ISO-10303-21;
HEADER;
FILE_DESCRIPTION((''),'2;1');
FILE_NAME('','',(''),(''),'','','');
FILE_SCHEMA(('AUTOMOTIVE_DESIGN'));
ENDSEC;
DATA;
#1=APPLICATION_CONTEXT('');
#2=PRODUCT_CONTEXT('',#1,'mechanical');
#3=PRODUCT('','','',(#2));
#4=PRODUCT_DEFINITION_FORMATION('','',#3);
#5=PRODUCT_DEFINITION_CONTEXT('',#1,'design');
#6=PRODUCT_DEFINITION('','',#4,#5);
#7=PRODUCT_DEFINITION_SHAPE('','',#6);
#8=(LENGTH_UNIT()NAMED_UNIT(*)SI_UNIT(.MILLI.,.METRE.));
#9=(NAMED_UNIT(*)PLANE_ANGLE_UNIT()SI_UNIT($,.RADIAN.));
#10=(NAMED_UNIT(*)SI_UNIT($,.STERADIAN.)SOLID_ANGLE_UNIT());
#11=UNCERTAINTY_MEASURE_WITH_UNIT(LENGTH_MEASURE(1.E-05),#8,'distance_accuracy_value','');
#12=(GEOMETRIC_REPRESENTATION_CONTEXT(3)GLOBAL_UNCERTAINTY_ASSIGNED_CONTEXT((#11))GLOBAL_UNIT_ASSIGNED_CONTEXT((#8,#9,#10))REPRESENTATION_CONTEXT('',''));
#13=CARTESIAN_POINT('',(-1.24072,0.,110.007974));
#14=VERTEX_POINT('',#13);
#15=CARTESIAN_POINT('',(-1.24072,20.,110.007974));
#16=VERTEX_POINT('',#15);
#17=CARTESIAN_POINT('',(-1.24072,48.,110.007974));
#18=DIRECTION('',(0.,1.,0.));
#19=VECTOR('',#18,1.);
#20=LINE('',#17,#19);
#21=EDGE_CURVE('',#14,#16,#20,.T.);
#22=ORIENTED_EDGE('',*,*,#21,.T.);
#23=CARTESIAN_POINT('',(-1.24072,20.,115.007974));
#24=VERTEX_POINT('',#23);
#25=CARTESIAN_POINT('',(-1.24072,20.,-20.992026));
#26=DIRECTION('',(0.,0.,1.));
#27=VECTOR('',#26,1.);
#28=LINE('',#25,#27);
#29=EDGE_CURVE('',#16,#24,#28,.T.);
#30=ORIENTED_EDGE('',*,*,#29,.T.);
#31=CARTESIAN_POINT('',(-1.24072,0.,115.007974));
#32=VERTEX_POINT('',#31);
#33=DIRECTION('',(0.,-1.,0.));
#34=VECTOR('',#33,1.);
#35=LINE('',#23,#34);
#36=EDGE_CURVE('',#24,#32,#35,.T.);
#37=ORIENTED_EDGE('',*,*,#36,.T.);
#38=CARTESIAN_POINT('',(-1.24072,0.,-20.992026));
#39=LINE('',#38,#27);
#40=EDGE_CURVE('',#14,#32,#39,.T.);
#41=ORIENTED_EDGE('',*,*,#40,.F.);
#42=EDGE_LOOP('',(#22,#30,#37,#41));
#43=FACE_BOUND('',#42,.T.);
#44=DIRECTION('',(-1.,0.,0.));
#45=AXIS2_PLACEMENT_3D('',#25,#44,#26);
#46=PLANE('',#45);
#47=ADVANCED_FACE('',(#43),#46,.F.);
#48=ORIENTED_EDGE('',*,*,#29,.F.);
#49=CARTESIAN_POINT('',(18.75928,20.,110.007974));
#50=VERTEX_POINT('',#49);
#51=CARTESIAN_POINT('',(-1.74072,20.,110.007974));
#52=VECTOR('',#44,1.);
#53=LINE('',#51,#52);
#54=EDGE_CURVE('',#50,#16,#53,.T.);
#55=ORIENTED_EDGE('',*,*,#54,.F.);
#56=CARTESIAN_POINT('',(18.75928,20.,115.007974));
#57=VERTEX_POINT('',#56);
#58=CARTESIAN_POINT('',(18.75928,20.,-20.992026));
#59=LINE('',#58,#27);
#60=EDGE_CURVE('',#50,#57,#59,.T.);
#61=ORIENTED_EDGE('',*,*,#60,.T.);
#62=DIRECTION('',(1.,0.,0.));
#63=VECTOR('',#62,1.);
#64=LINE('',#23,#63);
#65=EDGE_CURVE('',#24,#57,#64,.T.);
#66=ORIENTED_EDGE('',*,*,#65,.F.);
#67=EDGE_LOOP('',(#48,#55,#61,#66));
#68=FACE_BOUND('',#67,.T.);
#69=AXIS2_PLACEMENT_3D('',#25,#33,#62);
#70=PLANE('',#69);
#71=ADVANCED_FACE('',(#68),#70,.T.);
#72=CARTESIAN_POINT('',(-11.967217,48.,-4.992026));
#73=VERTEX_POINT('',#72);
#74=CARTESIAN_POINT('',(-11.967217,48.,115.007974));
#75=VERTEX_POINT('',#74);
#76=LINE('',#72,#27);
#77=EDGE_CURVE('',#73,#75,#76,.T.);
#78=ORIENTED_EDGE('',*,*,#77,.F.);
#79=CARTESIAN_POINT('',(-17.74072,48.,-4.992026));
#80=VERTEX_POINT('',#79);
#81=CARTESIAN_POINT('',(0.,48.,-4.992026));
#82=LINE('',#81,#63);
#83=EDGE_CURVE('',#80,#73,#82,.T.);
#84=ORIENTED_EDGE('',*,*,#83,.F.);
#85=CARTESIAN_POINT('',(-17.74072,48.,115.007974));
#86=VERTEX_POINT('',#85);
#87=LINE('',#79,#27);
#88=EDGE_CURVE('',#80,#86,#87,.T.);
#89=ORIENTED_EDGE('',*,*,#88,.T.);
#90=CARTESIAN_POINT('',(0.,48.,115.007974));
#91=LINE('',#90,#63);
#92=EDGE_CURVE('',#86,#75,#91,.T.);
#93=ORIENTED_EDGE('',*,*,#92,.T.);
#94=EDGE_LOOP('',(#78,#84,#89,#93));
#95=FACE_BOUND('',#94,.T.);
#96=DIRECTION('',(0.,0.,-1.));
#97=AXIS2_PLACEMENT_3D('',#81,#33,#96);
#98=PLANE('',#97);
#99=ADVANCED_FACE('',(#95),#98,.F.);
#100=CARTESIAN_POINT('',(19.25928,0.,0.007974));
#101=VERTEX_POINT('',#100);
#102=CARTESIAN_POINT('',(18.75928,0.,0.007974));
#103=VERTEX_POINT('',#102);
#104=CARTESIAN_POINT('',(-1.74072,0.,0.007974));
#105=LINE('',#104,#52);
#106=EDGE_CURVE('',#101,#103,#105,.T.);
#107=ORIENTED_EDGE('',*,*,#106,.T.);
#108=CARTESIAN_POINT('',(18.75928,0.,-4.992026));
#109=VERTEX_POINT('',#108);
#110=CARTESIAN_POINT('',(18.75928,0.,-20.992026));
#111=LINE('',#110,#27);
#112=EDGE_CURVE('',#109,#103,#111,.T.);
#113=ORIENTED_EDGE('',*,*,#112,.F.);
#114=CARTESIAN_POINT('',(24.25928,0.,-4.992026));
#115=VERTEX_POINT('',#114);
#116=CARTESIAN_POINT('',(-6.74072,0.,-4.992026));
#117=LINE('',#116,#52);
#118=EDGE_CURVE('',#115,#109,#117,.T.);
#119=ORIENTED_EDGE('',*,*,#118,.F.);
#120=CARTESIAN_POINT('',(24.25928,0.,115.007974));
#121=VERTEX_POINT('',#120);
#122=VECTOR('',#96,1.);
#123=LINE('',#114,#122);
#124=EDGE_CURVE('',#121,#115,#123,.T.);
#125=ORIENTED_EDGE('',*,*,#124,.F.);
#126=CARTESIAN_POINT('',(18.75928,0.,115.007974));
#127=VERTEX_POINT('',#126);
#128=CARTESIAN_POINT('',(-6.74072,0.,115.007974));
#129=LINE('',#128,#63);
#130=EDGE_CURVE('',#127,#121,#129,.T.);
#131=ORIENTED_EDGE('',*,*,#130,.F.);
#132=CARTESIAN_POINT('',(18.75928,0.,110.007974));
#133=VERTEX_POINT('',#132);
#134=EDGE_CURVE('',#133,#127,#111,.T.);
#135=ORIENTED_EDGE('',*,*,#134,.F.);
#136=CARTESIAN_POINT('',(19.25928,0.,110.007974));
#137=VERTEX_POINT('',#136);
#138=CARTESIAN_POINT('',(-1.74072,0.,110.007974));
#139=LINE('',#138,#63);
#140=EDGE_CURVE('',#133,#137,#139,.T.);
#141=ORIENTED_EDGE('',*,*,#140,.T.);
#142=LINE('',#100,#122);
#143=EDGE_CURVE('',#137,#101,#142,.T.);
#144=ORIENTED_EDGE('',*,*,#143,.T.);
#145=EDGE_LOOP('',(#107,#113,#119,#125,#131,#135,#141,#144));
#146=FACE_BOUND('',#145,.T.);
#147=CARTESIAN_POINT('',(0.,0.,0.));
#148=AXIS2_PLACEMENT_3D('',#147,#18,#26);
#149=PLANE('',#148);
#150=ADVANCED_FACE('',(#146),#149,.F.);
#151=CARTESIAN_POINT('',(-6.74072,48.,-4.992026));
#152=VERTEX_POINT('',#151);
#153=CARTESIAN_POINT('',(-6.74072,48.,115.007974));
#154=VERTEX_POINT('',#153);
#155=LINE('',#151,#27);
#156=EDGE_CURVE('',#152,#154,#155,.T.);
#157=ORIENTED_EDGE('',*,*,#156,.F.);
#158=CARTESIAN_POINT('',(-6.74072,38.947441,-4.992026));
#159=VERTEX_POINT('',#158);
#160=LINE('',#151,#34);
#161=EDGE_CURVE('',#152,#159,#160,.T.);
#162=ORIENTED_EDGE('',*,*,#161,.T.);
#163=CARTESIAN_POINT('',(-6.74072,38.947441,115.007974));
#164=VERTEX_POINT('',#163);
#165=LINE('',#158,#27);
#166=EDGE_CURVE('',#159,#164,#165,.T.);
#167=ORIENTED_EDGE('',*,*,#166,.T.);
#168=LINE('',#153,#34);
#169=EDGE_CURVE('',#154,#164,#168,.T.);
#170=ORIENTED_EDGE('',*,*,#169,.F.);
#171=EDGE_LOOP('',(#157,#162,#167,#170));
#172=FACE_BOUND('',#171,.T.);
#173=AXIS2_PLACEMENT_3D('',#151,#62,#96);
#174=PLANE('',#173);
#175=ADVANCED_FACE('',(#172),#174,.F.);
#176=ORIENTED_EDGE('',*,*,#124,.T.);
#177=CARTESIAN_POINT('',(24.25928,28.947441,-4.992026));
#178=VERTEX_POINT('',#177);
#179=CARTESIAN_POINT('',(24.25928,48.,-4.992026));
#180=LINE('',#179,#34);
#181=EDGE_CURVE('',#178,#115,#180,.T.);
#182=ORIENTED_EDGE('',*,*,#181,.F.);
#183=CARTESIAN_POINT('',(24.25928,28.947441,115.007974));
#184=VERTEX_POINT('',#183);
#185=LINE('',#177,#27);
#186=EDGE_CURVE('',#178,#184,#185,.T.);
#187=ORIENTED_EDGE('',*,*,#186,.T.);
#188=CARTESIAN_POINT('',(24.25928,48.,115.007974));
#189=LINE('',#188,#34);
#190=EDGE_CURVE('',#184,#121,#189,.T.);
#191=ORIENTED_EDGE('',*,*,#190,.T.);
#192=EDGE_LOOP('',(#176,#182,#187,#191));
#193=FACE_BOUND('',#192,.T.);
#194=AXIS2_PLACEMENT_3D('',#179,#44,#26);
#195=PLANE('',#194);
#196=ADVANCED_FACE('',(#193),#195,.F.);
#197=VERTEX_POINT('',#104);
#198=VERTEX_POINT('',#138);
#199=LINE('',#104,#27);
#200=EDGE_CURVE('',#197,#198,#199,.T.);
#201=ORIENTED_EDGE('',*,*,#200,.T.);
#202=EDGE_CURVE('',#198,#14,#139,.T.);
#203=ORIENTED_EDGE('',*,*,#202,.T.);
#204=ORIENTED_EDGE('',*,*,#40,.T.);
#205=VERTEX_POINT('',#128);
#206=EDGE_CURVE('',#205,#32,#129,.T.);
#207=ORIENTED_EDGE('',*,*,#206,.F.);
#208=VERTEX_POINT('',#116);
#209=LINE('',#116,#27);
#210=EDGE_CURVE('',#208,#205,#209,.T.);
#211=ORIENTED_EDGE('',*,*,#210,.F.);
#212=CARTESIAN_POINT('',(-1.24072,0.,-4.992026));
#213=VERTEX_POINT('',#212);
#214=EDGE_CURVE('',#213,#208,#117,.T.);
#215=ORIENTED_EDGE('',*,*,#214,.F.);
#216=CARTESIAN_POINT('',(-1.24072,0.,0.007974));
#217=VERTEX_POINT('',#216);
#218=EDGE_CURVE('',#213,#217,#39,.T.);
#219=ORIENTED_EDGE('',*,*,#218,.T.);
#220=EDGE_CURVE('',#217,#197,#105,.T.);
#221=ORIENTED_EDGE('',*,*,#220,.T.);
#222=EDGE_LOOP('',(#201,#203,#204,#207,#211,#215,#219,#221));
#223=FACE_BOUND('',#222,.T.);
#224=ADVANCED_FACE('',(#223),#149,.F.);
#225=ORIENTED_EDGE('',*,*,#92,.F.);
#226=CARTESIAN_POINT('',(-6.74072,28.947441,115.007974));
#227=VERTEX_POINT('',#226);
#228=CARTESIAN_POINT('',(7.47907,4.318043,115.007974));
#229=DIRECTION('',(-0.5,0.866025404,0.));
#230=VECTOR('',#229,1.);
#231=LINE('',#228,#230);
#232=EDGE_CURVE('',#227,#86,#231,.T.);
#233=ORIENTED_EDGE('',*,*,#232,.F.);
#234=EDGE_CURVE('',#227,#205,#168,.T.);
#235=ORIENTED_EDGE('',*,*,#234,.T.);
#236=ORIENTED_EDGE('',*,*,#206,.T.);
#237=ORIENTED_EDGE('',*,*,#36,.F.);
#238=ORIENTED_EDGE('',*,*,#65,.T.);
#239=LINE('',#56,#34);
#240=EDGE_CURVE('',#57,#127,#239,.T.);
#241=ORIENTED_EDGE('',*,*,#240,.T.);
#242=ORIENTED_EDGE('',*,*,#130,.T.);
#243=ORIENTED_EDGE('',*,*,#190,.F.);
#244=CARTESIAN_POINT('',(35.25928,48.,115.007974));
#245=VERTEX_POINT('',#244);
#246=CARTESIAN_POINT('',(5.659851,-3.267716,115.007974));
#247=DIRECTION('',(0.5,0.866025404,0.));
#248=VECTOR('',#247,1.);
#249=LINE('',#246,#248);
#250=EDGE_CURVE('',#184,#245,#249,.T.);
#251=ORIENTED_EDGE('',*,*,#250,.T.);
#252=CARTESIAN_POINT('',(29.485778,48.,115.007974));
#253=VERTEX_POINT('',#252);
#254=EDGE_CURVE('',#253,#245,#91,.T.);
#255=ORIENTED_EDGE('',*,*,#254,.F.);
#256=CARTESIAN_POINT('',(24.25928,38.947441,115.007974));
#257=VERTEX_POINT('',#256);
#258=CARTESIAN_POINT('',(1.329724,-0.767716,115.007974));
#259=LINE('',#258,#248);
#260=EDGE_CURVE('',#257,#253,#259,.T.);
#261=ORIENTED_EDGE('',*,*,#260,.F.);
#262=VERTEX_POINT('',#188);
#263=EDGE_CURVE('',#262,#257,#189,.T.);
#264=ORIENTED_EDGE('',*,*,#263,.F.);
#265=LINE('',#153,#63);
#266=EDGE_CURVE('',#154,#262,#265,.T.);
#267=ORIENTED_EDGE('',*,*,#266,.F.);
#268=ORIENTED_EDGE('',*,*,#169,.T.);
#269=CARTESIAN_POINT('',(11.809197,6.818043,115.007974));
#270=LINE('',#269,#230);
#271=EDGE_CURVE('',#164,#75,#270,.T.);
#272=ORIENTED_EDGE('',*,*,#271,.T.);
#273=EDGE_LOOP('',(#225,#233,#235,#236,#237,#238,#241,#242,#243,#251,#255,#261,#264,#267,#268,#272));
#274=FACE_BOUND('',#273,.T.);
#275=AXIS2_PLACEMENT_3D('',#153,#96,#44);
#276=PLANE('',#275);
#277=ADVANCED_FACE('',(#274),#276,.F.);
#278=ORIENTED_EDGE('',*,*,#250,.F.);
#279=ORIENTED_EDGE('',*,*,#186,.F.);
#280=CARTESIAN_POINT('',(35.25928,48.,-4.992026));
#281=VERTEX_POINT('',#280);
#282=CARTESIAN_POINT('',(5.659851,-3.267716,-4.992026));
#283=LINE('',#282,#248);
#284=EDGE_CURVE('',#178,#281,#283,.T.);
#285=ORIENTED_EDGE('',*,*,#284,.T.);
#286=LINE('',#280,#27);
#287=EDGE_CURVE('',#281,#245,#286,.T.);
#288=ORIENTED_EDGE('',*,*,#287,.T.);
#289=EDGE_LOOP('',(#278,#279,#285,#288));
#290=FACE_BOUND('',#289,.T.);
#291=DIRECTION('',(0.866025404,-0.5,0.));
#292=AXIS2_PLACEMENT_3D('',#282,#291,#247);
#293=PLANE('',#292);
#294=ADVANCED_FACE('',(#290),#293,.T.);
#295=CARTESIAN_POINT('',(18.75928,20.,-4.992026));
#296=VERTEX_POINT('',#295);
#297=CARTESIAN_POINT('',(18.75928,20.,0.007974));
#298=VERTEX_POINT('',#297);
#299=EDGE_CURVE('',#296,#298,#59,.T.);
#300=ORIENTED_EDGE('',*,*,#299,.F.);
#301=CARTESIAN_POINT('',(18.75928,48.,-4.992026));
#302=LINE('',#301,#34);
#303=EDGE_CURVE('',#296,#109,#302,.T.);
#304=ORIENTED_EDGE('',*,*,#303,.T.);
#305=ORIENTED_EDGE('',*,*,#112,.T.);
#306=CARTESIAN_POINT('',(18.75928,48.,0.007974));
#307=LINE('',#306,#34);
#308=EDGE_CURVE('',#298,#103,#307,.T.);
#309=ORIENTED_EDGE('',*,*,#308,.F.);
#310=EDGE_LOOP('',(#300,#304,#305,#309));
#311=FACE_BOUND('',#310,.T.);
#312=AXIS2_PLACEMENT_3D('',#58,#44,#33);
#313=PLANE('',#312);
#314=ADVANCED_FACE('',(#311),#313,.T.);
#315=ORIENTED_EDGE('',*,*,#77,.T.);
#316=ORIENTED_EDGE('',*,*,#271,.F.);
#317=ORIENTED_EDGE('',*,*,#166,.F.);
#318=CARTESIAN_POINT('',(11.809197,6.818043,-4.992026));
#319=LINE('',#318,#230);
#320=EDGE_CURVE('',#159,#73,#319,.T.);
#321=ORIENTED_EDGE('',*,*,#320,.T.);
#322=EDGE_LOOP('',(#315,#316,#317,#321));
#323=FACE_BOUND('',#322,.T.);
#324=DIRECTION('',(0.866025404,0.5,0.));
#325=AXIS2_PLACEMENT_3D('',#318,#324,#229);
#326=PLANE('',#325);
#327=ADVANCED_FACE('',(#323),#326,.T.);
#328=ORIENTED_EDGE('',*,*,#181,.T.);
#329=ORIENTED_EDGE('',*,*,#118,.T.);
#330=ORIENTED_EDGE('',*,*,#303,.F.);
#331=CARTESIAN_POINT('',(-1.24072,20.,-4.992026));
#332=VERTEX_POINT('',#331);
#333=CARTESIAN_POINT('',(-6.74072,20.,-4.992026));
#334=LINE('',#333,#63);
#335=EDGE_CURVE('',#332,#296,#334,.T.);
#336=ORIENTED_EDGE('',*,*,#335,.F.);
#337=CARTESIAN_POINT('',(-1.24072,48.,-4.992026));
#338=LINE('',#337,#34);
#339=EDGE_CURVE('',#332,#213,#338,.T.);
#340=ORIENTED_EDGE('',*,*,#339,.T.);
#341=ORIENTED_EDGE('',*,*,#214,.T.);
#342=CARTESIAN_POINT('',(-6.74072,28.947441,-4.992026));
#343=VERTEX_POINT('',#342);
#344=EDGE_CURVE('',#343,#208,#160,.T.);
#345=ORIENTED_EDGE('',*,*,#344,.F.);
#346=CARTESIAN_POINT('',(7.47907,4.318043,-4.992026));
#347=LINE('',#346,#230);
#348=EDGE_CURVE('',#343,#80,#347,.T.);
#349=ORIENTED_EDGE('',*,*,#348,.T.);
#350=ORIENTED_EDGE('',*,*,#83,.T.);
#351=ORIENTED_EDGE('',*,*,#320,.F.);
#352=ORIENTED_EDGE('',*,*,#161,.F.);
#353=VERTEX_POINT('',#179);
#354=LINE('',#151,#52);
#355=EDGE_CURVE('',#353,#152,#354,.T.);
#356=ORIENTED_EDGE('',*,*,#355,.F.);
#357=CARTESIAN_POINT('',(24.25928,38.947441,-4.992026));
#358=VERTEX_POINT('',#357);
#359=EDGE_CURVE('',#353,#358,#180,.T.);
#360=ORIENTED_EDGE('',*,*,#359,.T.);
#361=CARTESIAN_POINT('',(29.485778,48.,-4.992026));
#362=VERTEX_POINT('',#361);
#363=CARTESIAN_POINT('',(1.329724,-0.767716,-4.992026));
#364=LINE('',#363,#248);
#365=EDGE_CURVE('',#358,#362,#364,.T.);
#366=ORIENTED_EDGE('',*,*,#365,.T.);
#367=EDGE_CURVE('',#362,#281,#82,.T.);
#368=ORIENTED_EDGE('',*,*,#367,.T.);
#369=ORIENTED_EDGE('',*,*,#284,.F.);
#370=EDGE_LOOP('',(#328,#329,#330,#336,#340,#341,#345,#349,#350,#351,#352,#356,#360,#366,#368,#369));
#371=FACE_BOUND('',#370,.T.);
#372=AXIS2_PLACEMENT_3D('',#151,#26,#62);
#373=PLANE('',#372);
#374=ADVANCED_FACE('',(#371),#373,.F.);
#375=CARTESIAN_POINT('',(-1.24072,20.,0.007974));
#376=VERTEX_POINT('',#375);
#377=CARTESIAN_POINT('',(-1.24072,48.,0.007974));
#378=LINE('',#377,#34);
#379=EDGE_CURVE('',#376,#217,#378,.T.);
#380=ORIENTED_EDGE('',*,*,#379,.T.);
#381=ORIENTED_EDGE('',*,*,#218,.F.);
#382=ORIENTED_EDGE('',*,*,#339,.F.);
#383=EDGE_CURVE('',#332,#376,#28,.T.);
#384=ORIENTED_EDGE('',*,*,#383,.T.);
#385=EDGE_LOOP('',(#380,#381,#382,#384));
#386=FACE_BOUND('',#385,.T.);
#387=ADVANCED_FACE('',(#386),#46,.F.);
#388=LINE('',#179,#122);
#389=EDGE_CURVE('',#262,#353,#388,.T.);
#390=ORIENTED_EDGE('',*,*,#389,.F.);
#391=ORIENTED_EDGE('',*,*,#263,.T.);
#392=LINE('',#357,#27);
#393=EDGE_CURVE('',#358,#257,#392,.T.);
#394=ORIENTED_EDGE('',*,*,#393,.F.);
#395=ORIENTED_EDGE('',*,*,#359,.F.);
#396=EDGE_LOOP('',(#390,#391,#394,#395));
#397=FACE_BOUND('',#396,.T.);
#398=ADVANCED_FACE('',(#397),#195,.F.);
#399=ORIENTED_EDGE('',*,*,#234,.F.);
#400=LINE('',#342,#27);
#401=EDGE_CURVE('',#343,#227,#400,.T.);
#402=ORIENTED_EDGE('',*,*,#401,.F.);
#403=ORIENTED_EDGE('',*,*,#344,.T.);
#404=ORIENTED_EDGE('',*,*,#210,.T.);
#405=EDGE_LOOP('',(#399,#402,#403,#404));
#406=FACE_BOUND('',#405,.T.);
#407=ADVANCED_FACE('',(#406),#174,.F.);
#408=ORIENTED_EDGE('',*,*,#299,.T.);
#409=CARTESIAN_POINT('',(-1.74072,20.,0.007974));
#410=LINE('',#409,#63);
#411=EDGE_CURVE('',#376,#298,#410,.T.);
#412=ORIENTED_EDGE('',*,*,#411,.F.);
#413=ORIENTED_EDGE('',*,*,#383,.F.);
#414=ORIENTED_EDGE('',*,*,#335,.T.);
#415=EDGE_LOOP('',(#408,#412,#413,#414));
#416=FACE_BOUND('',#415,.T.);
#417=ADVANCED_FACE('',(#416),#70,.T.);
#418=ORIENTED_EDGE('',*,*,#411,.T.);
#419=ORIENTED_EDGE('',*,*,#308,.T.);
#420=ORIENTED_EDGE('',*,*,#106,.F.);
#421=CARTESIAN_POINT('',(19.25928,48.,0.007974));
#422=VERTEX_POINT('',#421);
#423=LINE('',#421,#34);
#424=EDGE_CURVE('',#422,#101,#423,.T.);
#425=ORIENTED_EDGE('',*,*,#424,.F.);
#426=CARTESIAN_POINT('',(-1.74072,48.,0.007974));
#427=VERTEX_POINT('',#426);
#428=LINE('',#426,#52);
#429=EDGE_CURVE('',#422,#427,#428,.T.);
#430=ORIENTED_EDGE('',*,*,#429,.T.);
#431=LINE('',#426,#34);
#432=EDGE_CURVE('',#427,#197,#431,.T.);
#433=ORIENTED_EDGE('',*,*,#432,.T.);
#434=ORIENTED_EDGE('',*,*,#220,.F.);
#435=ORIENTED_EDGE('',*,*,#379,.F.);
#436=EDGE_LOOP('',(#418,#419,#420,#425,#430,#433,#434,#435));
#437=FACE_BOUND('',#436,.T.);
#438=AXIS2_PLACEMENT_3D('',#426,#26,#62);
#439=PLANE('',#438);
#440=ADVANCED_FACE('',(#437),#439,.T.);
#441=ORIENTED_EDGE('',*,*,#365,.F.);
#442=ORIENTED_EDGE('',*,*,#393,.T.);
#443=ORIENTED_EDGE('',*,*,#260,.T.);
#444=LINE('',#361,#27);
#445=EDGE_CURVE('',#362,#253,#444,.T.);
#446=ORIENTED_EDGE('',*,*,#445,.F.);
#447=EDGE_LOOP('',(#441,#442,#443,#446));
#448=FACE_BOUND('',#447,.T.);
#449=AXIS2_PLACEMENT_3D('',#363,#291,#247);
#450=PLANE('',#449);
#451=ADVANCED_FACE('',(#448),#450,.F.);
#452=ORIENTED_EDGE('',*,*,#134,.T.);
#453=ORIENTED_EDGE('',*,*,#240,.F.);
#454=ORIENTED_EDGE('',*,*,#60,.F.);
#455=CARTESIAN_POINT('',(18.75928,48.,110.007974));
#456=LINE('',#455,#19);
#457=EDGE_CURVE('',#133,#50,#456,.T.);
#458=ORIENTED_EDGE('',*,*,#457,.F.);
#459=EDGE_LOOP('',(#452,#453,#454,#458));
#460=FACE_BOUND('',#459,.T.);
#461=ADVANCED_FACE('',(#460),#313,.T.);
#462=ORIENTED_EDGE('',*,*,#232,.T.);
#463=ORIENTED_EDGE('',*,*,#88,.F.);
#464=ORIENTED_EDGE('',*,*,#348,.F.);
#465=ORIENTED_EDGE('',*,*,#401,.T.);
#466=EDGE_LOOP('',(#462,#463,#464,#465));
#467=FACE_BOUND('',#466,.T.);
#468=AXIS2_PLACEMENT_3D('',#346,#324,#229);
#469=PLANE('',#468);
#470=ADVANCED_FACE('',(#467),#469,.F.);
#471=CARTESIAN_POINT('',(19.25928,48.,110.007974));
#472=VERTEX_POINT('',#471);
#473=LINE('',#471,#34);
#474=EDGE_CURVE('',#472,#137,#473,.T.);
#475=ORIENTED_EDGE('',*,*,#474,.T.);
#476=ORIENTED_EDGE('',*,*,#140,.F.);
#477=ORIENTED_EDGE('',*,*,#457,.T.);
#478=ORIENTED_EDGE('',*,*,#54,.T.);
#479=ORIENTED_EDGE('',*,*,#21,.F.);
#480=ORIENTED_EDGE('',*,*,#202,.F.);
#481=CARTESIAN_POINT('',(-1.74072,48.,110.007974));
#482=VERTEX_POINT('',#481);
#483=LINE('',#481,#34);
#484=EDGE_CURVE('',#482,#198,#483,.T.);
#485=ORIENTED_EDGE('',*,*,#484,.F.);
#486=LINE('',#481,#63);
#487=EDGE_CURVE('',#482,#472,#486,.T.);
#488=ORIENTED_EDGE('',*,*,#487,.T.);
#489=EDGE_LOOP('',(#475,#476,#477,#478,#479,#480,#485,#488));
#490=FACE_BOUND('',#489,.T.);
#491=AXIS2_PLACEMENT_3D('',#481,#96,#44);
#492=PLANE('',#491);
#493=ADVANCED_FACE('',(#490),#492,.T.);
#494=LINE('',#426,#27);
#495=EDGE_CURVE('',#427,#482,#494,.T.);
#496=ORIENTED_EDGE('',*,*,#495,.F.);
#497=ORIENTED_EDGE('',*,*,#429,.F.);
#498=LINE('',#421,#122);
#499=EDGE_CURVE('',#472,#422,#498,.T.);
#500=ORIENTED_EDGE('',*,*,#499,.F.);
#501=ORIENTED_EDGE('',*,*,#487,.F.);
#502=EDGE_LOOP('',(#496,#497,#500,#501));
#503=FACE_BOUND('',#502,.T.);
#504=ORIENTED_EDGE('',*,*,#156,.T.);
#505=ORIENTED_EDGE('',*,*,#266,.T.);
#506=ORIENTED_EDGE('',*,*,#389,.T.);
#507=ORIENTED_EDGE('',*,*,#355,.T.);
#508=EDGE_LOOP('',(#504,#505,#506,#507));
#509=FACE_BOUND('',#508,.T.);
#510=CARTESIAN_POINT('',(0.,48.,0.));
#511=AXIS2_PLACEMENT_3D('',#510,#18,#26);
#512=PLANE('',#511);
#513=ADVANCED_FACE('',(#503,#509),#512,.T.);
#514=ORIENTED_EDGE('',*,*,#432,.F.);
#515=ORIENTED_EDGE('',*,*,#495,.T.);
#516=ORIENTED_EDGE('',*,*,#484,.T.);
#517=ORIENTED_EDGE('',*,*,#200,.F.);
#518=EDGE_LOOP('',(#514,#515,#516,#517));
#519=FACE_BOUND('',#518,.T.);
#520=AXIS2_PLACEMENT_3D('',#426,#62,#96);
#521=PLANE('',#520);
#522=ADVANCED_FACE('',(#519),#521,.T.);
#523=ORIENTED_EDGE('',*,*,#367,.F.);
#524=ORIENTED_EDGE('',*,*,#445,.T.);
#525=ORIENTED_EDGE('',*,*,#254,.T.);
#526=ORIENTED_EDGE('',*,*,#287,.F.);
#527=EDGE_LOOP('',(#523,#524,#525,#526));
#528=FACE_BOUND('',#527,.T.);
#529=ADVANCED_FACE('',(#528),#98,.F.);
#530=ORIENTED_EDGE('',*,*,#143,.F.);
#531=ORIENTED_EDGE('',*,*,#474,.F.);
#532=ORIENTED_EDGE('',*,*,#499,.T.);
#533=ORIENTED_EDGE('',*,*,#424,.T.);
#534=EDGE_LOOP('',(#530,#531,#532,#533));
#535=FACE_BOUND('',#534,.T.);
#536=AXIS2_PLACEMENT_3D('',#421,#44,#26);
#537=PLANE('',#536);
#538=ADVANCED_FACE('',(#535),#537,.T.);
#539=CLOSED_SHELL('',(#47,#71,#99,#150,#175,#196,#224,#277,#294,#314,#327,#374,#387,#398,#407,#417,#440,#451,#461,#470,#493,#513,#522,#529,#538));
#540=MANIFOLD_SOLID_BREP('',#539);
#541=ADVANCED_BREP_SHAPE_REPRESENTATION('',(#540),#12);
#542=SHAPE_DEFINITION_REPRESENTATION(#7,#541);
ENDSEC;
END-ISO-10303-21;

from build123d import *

# Parameters (mm, degrees)
SKETCH1_W           = 31
SKETCH1_H           = 120
SKETCH1_W_2         = 21
SKETCH1_H_2         = 110
BOSS_EXTRUDE4_DEPTH = 48
SKETCH6_W           = 20
SKETCH6_H           = 20
CUT_EXTRUDE3_DEPTH  = 136
BOSS_EXTRUDE5_DEPTH = 120


with BuildPart() as part:
    # Sketch1 → Boss-Extrude4 (new body)
    with BuildSketch(Plane(origin=(0, 0, 0), x_dir=(1, 0, 0), z_dir=(0, 1, 0))):
        with Locations((8.759280296, -55.007974482)):
            Rectangle(SKETCH1_W, SKETCH1_H)
        with Locations((8.759280296, -55.007974482)):
            Rectangle(SKETCH1_W_2, SKETCH1_H_2, mode=Mode.SUBTRACT)
    extrude(amount=BOSS_EXTRUDE4_DEPTH)

    # Sketch6 → Cut-Extrude3 (cut)
    with BuildSketch(Plane.XY.offset(115.007974482)):
        with Locations((8.759280296, 10)):
            Rectangle(SKETCH6_W, SKETCH6_H)
    extrude(amount=-CUT_EXTRUDE3_DEPTH, mode=Mode.SUBTRACT)

    # Sketch7 → Boss-Extrude5 (add)
    with BuildSketch(Plane.XY.offset(115.007974482)):
        Polygon((-6.740719704, 38.947441117), (-11.967217013, 48), (-17.740719704, 48), (-6.740719704, 28.947441117), align=None)
        Polygon((24.259280296, 38.947441117), (24.259280296, 28.947441117), (35.259280296, 48), (29.485777604, 48), align=None)
    extrude(amount=-BOSS_EXTRUDE5_DEPTH)


solid = part.part
